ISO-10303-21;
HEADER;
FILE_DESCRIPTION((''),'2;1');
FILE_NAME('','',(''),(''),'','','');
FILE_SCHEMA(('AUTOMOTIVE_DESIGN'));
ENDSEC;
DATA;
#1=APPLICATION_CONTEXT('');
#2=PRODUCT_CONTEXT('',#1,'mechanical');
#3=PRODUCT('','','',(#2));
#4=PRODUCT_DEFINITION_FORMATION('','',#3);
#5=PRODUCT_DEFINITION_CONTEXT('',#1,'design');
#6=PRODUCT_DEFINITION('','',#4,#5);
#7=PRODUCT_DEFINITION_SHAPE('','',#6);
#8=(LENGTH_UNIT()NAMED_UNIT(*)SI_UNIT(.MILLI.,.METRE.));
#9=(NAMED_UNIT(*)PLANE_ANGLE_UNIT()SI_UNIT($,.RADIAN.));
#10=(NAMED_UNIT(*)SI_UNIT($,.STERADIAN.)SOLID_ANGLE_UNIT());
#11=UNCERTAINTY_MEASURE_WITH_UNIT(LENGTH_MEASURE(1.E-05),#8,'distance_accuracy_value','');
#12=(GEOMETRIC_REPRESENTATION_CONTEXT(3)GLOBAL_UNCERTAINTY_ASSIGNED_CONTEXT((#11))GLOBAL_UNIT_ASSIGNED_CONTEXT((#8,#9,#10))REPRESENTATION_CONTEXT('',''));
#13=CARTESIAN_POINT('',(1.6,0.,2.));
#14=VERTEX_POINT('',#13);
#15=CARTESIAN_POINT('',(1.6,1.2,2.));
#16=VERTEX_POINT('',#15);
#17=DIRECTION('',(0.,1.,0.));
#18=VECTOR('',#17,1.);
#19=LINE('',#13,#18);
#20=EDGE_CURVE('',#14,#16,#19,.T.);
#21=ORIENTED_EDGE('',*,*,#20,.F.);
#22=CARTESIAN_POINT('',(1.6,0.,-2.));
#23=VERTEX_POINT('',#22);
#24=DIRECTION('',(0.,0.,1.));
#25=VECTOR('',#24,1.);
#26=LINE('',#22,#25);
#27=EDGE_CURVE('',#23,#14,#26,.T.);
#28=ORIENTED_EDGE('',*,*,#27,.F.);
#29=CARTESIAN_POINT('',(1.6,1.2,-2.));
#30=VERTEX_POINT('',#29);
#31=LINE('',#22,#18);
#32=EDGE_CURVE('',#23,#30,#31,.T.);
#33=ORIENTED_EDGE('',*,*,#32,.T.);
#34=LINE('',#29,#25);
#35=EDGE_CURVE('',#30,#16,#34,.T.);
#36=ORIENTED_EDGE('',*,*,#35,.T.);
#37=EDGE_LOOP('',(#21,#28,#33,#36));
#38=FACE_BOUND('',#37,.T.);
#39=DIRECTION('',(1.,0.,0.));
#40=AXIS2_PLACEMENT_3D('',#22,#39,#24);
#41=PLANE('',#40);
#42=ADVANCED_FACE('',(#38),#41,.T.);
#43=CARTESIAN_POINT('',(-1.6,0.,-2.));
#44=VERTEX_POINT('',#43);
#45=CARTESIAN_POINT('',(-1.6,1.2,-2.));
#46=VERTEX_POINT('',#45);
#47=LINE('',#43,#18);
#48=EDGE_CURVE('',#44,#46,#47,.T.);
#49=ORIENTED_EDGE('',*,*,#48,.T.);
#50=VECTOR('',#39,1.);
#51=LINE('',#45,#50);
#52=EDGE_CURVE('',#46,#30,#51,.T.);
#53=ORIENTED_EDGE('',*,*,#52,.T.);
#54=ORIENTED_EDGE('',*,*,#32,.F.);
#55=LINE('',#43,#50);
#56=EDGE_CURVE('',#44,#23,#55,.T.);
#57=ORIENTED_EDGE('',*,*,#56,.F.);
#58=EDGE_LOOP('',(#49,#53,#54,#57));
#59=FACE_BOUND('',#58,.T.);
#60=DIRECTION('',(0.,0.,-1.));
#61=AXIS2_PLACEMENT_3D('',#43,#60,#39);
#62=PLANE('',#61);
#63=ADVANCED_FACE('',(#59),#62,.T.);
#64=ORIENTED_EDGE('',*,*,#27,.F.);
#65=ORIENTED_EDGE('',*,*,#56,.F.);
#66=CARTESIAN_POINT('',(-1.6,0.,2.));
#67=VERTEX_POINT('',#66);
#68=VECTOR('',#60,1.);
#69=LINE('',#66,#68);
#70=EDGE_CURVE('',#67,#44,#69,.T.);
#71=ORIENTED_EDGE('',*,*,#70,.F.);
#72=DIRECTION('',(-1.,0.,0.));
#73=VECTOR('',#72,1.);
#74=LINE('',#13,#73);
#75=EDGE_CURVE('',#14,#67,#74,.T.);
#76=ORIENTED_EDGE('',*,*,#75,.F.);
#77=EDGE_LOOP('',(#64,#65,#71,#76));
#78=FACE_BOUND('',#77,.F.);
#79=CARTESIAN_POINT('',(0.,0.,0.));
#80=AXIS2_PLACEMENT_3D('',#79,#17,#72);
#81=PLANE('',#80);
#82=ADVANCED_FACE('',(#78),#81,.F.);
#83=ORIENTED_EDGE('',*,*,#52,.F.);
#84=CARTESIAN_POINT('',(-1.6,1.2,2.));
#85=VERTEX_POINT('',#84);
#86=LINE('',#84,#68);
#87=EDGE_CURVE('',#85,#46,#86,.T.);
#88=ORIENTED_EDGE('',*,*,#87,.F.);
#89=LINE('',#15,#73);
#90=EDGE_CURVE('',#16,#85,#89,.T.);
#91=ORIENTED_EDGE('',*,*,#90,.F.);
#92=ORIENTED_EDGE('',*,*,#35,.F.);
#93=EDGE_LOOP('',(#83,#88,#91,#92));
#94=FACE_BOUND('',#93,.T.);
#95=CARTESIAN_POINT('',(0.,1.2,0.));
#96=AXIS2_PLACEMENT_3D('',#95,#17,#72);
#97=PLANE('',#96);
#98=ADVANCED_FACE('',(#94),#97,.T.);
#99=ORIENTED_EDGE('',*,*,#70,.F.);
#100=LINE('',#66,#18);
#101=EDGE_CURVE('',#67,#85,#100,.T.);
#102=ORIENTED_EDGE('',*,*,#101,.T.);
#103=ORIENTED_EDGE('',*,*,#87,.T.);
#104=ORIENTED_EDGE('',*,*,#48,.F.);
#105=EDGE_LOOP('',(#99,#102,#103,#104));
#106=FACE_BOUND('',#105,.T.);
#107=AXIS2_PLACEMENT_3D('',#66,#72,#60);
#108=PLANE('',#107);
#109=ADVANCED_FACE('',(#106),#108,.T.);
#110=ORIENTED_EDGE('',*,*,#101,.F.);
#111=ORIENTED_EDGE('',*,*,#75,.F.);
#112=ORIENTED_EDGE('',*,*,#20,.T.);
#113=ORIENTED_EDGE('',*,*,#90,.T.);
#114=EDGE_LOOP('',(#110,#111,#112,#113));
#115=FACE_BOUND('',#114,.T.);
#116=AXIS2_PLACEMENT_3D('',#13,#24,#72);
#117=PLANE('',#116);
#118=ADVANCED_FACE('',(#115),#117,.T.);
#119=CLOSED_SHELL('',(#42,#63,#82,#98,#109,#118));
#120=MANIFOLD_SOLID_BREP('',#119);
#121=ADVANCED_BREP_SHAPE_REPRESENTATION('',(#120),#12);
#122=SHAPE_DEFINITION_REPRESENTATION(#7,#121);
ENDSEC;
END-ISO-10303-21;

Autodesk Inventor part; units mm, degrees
ref_plane "YZ Plane" through (0, 0, 0) normal (1, 0, 0) x (0, 1, 0)
ref_plane "XZ Plane" through (0, 0, 0) normal (0, 1, 0) x (-1, 0, 0)
ref_plane "XY Plane" through (0, 0, 0) normal (0, 0, 1) x (1, 0, 0)
sketch "Sketch1" plane through (0, 0, 0) normal (0, 1, 0) x (-1, 0, 0)
  line L0 (1.6, -2) -> (-1.6, -2)
  line L1 (-1.6, -2) -> (-1.6, 2)
  line L2 (-1.6, 2) -> (1.6, 2)
  line L3 (1.6, 2) -> (1.6, -2)
  line L4 (1.6, -2) -> (-1.6, 2) construction
  line L5 (-1.6, -2) -> (1.6, 2) construction
  point P0 (0, 0)
  dimension "d0" = 4
  dimension "d1" = 3.2
extrude "Extrusion1" add sketch "Sketch1" along normal blind 1.2
properties part number "KTN_Chip_4mmX3p2mmX1p2mm" material "Glass"
